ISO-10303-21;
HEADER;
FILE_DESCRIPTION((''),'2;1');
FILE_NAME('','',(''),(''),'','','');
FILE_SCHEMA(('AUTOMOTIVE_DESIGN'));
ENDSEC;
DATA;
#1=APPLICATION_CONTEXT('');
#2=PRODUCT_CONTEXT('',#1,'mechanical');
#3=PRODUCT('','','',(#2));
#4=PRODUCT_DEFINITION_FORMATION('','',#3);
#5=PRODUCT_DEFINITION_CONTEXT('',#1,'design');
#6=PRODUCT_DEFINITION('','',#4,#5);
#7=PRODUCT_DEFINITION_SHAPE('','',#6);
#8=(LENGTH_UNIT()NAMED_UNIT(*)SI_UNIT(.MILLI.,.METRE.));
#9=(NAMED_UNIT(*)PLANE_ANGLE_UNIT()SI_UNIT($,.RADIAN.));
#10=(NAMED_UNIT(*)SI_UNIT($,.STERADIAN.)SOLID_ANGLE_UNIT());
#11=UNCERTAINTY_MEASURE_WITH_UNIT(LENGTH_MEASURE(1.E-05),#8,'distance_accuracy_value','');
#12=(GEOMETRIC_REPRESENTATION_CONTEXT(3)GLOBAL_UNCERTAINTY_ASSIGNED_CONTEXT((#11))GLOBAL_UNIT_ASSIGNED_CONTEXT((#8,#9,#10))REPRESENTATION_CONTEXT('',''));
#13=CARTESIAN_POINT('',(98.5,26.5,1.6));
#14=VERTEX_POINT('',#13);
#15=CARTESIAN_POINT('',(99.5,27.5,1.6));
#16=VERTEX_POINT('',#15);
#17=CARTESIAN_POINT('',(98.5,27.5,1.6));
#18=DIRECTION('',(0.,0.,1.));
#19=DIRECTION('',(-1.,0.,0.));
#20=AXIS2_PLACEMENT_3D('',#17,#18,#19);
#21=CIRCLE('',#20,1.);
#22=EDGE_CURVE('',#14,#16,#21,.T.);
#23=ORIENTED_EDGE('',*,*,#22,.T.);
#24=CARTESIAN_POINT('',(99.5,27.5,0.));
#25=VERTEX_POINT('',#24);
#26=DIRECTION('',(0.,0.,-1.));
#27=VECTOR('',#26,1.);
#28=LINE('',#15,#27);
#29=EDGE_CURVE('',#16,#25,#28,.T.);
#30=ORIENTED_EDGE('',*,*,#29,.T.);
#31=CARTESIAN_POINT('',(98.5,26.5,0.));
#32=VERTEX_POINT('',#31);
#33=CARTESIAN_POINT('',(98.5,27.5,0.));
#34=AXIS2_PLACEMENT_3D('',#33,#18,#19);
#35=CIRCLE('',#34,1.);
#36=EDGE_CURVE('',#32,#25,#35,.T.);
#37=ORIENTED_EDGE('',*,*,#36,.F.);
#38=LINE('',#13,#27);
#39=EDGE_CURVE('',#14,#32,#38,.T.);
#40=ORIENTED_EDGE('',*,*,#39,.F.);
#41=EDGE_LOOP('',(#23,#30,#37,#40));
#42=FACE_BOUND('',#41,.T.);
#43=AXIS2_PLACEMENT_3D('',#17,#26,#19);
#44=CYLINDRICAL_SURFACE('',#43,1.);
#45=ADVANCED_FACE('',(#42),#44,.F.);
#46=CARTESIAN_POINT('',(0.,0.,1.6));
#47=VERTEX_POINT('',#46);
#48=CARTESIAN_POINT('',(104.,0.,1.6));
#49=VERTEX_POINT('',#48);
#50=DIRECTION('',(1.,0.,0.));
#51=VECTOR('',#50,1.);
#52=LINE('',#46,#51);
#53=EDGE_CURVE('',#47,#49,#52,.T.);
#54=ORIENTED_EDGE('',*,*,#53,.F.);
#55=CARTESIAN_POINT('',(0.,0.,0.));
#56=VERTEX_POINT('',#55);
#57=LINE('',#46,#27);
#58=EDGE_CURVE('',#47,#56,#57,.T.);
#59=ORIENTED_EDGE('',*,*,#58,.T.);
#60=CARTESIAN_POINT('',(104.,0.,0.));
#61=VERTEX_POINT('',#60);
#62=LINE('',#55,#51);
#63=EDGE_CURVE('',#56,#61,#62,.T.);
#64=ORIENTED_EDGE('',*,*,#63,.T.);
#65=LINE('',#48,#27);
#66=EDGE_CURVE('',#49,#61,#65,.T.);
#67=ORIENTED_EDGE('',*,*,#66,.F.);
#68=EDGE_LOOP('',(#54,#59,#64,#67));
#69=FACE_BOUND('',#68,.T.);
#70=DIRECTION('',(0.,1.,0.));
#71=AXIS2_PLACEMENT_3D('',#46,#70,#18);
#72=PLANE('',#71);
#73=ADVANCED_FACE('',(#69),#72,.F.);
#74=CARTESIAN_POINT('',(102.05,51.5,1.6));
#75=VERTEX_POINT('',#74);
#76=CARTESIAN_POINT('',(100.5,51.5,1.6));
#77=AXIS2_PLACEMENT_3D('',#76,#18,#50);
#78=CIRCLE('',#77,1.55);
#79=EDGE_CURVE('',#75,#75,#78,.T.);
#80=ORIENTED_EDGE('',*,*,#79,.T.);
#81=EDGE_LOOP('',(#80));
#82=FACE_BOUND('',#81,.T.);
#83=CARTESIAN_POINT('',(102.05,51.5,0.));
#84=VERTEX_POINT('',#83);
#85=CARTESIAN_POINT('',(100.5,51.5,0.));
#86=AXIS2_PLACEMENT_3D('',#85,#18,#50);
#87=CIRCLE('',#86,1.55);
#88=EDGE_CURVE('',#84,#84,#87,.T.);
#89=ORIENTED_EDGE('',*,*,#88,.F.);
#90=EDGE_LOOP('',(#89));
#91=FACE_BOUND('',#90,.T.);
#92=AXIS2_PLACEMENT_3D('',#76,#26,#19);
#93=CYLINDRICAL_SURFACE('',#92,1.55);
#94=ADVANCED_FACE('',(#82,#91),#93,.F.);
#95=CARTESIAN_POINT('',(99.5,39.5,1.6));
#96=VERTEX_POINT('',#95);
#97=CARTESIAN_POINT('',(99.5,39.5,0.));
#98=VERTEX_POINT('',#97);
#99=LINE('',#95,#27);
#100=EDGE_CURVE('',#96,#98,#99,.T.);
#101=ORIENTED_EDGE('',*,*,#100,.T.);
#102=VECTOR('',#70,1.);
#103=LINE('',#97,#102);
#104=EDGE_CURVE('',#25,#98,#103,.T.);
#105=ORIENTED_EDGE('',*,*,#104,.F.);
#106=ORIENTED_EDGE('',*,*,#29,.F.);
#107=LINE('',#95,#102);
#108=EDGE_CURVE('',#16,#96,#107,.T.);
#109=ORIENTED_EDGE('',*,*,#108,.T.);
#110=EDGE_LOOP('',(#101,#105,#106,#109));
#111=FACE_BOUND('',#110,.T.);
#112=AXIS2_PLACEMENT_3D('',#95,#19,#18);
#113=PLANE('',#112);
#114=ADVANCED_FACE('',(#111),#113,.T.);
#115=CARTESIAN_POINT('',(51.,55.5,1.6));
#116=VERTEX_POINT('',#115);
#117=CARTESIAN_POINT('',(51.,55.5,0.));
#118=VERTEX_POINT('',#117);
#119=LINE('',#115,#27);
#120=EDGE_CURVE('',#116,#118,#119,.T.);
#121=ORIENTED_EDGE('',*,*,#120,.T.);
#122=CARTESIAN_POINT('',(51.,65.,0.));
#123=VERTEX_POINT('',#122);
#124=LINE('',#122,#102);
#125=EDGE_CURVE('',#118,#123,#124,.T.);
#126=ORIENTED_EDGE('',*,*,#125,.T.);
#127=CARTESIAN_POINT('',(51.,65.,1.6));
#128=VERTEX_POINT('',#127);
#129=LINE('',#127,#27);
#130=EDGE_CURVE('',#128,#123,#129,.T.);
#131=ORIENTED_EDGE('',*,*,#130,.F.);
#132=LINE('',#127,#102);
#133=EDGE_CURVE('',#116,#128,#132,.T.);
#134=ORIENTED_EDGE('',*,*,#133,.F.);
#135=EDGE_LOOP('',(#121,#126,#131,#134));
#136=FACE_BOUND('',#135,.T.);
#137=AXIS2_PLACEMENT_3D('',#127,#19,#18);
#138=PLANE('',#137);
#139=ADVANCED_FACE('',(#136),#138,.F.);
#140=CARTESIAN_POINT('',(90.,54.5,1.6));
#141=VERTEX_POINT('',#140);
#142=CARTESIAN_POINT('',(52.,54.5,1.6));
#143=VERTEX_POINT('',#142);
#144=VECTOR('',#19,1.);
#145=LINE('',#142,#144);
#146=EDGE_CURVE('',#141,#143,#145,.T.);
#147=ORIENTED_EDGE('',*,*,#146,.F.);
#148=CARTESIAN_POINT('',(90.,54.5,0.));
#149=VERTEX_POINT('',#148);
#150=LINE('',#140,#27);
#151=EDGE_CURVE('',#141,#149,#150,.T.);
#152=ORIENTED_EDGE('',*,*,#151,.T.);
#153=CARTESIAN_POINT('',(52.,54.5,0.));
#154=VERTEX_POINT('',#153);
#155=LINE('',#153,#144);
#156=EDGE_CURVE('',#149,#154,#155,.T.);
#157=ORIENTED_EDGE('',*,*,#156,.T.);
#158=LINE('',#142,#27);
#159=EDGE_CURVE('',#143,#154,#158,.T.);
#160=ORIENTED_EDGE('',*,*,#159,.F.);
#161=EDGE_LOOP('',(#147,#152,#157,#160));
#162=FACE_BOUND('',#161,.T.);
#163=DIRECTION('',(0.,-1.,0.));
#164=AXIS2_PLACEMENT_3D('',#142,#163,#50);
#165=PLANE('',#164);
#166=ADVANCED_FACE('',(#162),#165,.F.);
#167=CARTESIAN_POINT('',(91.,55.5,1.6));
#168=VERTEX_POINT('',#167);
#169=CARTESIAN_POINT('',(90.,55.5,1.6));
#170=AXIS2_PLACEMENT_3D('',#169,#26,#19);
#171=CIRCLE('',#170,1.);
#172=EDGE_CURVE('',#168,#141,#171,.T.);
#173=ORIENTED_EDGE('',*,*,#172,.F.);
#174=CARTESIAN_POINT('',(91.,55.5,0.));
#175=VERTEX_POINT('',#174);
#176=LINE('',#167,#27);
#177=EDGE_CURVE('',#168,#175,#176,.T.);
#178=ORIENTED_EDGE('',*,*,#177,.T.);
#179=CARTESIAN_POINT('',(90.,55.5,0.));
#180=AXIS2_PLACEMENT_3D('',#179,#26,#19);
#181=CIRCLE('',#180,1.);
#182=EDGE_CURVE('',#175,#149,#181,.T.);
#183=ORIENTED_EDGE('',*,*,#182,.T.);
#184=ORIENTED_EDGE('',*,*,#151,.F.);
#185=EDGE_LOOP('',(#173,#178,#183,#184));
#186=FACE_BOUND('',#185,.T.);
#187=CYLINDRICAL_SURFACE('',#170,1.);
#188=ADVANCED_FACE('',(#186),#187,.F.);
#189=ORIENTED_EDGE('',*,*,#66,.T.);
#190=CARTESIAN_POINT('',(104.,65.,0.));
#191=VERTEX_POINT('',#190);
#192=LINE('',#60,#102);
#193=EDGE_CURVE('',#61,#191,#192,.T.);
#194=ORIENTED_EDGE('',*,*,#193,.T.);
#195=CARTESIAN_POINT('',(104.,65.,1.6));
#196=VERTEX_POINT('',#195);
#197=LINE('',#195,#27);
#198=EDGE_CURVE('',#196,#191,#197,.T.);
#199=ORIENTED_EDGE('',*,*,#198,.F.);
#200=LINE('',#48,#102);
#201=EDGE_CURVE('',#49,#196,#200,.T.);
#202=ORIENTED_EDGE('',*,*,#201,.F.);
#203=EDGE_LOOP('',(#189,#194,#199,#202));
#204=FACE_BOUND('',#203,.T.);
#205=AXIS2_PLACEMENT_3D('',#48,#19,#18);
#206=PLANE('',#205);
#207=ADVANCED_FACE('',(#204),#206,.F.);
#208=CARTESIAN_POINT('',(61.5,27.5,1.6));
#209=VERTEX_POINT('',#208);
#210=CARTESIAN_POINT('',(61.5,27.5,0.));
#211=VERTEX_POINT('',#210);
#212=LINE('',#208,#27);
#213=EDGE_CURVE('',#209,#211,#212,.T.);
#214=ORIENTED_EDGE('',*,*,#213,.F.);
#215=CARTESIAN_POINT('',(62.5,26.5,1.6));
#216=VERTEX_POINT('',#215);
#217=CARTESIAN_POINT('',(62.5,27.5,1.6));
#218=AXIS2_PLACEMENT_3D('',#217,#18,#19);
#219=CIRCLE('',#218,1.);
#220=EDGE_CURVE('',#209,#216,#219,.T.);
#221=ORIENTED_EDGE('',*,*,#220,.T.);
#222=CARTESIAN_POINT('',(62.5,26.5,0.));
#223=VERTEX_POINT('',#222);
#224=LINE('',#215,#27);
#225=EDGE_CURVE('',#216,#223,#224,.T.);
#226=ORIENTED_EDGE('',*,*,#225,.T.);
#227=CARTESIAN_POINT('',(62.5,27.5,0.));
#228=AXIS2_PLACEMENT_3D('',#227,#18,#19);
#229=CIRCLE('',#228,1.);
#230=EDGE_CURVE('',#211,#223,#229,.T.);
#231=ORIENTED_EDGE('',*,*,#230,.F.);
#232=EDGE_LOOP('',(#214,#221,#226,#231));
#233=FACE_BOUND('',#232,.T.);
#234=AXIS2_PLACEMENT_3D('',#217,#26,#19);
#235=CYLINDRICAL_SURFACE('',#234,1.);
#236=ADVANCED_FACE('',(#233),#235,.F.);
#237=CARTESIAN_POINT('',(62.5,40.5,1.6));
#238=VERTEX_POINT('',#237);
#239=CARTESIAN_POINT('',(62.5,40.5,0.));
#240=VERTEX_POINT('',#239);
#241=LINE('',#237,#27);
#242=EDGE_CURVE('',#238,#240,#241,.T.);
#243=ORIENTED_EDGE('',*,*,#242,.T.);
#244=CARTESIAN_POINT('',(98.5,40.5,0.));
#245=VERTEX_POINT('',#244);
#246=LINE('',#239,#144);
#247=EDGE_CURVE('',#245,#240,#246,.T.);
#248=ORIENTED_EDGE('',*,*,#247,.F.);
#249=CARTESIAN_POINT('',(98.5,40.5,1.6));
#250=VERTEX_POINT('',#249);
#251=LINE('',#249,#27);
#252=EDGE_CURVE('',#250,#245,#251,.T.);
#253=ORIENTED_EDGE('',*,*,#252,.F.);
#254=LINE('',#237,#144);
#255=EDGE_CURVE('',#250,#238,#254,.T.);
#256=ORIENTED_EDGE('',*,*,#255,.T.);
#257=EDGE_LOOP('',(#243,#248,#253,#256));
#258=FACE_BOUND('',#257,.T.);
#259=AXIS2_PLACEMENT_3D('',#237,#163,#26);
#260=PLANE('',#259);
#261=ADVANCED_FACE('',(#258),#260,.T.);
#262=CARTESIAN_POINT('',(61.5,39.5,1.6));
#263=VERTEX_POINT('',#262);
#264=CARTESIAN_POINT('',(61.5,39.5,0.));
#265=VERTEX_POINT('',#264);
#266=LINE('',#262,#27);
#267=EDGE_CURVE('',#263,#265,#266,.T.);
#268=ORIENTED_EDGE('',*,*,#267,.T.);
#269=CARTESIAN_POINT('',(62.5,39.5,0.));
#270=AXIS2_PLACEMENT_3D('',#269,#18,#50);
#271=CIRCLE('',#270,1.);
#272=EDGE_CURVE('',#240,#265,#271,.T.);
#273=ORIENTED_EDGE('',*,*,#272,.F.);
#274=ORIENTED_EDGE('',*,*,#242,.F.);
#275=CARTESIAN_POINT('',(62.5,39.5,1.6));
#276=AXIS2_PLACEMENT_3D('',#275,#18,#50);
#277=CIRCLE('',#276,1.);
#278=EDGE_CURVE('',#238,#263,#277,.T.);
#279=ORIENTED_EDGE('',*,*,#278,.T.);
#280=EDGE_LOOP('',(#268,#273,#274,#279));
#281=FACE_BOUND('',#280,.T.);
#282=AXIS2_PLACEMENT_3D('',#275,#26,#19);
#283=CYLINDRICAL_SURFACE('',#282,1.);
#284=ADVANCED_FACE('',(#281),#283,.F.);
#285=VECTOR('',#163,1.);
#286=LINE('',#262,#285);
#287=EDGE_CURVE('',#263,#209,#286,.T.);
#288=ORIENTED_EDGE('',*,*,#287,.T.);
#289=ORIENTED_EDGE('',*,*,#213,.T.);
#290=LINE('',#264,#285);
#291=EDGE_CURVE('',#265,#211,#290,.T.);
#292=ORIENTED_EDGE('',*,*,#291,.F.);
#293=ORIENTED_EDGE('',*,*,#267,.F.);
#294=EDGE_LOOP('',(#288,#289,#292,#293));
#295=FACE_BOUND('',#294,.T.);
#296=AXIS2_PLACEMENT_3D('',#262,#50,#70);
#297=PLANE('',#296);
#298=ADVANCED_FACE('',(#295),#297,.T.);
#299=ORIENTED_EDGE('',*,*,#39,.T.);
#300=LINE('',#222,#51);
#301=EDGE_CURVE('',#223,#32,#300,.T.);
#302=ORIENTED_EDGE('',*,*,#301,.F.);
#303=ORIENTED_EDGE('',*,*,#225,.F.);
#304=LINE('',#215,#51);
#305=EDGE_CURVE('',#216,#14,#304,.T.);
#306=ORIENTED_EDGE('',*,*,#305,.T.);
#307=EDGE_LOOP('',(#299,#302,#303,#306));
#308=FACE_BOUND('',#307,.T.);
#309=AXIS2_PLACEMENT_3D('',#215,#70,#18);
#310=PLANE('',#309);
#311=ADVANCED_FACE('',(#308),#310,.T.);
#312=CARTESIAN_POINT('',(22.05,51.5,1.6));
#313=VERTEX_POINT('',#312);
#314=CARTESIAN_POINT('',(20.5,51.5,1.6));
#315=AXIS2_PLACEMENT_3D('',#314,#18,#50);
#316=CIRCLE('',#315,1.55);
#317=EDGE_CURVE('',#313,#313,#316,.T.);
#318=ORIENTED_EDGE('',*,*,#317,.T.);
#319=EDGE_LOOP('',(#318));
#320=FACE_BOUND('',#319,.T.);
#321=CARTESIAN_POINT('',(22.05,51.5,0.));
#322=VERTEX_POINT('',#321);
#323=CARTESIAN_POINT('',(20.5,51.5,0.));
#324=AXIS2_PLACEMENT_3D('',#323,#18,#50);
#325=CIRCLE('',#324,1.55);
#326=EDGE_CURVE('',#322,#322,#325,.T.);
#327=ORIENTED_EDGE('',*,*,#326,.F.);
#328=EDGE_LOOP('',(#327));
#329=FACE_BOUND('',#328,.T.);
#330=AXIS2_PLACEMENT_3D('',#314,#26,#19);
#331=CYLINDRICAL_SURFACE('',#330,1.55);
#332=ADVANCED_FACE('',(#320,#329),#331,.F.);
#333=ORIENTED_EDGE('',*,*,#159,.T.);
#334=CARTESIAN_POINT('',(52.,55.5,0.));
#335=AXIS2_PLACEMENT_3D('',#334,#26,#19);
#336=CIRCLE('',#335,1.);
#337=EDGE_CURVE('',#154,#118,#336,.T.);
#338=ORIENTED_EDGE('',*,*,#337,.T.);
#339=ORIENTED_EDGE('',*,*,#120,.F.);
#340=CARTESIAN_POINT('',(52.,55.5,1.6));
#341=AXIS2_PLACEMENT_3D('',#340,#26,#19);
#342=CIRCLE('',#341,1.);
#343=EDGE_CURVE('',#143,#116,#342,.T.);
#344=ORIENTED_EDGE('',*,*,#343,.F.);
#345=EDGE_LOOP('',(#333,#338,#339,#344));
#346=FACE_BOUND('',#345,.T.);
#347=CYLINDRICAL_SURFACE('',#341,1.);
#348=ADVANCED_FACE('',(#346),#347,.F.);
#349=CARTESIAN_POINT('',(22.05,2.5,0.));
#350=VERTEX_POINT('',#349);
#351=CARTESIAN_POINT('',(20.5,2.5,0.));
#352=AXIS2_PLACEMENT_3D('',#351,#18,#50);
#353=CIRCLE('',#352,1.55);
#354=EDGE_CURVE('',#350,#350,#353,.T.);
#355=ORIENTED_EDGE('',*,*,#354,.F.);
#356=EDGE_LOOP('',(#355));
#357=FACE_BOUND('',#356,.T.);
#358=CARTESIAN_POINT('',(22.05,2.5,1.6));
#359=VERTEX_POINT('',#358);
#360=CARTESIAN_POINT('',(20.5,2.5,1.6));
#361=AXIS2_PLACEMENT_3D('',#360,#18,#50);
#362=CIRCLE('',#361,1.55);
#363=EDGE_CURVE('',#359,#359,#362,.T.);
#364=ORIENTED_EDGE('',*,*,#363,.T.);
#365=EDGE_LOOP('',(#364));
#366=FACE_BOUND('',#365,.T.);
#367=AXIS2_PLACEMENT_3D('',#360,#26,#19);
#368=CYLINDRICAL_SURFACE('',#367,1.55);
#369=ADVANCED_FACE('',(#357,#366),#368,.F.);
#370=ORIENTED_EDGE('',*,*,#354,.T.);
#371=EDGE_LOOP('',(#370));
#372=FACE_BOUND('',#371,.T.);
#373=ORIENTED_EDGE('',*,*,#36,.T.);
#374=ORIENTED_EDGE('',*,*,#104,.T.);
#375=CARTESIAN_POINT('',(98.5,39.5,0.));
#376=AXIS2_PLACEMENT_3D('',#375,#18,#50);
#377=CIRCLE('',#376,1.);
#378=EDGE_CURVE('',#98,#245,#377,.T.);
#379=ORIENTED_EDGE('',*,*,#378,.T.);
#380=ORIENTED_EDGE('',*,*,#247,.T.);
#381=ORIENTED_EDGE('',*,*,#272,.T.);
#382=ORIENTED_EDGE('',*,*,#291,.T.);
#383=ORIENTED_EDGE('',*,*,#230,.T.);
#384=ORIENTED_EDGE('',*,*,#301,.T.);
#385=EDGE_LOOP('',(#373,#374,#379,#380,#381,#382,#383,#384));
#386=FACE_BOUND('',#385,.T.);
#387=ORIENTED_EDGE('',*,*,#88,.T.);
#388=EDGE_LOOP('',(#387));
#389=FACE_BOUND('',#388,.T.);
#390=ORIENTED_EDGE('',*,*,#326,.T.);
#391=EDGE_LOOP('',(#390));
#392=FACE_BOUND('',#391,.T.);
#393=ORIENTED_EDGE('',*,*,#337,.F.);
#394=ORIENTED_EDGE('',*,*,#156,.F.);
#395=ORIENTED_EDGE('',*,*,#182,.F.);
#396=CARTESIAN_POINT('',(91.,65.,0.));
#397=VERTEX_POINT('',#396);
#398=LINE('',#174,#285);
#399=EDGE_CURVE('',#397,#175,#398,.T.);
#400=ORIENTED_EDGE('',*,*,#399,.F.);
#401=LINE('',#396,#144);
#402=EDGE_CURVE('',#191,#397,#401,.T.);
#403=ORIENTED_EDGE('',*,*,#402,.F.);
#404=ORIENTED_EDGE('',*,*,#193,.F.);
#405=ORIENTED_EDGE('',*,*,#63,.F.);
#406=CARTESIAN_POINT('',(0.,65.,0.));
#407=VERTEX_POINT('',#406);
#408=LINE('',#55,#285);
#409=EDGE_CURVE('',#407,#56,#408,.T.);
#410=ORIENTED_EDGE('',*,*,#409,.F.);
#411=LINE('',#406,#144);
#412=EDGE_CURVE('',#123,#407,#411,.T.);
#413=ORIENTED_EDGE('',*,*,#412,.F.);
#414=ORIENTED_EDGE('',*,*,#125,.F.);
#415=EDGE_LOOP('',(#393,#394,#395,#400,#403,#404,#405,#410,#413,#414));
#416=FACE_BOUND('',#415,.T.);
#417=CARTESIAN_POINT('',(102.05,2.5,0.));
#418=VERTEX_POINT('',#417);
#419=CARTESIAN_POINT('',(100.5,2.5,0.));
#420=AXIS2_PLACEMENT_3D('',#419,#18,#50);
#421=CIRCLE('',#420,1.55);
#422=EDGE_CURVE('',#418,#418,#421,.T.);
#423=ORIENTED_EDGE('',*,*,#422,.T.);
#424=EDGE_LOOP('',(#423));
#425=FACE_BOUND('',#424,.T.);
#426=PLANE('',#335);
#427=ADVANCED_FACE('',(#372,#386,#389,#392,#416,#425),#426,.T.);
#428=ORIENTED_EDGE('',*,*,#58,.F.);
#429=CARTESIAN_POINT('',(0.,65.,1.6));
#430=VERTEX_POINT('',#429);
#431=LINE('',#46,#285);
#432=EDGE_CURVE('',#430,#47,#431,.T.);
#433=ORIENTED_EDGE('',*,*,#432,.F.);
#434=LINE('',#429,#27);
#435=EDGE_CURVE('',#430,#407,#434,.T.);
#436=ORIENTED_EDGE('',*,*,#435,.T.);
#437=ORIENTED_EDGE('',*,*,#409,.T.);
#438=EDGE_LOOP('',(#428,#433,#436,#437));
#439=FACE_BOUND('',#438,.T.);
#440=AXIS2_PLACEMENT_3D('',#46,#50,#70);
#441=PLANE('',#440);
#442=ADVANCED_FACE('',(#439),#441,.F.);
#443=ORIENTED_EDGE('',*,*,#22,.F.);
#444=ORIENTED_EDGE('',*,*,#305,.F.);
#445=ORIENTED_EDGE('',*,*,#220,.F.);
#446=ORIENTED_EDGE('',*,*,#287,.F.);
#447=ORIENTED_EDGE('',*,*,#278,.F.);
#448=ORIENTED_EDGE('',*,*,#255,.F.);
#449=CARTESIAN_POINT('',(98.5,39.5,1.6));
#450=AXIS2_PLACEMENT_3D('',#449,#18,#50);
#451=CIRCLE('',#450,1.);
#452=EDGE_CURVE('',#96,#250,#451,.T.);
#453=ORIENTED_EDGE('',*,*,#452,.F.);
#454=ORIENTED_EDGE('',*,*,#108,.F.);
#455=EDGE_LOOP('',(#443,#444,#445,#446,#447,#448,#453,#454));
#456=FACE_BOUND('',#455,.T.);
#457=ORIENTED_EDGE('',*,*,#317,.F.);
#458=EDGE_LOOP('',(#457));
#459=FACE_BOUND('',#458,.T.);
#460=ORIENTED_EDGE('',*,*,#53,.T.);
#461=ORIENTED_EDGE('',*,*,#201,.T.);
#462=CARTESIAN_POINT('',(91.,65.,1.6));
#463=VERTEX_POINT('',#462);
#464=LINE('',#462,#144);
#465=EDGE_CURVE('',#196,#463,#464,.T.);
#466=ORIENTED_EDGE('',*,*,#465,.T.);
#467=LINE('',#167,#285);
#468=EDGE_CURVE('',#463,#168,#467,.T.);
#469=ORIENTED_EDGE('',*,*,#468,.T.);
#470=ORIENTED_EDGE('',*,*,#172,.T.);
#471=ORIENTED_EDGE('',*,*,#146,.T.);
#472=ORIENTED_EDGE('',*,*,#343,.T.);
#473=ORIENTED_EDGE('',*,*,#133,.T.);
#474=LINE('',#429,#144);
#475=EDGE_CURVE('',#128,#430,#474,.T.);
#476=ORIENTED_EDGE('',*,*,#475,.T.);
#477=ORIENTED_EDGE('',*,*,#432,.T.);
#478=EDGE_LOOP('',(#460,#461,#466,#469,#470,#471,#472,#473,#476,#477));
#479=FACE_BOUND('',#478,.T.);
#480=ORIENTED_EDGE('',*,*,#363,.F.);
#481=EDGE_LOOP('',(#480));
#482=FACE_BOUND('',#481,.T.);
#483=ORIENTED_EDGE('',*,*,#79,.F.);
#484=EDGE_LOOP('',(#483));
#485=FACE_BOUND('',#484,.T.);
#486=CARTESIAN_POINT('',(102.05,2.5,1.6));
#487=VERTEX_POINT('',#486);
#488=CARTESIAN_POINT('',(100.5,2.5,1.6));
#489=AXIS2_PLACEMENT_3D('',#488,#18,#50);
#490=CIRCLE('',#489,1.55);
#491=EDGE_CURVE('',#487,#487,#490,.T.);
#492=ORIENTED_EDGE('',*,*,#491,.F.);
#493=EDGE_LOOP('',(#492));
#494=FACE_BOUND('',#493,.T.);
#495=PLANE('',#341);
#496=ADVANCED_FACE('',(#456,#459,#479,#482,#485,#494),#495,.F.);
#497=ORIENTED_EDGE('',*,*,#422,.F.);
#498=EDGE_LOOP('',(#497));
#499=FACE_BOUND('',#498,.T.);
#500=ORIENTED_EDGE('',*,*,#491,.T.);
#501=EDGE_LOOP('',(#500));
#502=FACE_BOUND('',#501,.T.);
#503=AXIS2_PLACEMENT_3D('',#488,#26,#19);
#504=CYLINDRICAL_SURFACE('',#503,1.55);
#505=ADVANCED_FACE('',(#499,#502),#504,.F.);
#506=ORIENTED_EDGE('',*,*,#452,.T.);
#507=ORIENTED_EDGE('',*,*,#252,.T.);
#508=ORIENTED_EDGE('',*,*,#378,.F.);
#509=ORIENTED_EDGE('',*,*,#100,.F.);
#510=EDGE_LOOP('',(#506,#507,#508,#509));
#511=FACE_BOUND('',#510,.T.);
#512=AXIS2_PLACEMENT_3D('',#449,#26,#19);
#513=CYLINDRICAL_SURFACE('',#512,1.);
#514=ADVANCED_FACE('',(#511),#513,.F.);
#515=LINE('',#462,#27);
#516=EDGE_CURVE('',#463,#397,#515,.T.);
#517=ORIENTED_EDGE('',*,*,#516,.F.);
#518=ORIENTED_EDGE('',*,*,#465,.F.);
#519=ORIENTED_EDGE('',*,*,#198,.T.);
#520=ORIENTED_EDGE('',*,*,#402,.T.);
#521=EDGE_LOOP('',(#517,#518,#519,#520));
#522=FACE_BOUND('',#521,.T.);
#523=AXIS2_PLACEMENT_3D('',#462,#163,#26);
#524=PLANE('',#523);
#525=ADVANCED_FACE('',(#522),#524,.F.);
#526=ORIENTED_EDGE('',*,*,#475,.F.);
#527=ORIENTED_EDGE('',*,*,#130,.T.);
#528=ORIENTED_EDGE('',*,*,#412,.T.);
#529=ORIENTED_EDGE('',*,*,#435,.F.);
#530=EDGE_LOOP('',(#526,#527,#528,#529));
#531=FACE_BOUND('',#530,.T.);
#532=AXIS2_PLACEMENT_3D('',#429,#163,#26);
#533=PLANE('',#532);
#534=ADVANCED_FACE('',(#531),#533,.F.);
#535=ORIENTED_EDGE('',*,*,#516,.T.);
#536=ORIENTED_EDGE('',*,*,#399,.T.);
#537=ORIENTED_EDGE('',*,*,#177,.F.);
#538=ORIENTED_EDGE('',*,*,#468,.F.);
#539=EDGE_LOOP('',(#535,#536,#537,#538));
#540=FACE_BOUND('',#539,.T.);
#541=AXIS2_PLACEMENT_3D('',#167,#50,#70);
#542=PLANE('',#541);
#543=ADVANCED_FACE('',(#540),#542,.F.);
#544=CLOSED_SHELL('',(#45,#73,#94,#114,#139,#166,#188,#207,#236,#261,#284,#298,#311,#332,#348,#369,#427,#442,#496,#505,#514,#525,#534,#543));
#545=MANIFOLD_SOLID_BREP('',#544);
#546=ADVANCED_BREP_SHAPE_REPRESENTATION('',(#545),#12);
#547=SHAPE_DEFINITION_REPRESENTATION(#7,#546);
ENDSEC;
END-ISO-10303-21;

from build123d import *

# Parameters (mm, degrees)
SKETCH_1_R      = 1.55
EXTRUDE_1_DEPTH = 1.6


with BuildPart() as part:
    # Эскиз1 → Бобышка-Вытянуть1 (new body)
    with BuildSketch(Plane.XY):
        with BuildLine():
            Line((0, 65), (51, 65))
            Line((51, 65), (51, 55.5))
            ThreePointArc((51, 55.5), (51.292893219, 54.792893219), (52, 54.5))
            Line((52, 54.5), (90, 54.5))
            ThreePointArc((90, 54.5), (90.707106781, 54.792893219), (91, 55.5))
            Line((91, 55.5), (91, 65))
            Line((91, 65), (104, 65))
            Line((104, 65), (104, 0))
            Line((104, 0), (0, 0))
            Line((0, 0), (0, 65))
        make_face()
        with Locations((20.5, 51.5)):
            Circle(SKETCH_1_R, mode=Mode.SUBTRACT)
        with Locations((100.5, 51.5)):
            Circle(SKETCH_1_R, mode=Mode.SUBTRACT)
        with Locations((100.5, 2.5)):
            Circle(SKETCH_1_R, mode=Mode.SUBTRACT)
        with Locations((20.5, 2.5)):
            Circle(SKETCH_1_R, mode=Mode.SUBTRACT)
        with BuildLine():
            Line((62.5, 40.5), (98.5, 40.5))
            ThreePointArc((98.5, 40.5), (99.207106781, 40.207106781), (99.5, 39.5))
            Line((99.5, 39.5), (99.5, 27.5))
            ThreePointArc((99.5, 27.5), (99.207106781, 26.792893219), (98.5, 26.5))
            Line((98.5, 26.5), (62.5, 26.5))
            ThreePointArc((62.5, 26.5), (61.792893219, 26.792893219), (61.5, 27.5))
            Line((61.5, 27.5), (61.5, 39.5))
            ThreePointArc((61.5, 39.5), (61.792893219, 40.207106781), (62.5, 40.5))
        make_face(mode=Mode.SUBTRACT)
    extrude(amount=EXTRUDE_1_DEPTH)


solid = part.part
